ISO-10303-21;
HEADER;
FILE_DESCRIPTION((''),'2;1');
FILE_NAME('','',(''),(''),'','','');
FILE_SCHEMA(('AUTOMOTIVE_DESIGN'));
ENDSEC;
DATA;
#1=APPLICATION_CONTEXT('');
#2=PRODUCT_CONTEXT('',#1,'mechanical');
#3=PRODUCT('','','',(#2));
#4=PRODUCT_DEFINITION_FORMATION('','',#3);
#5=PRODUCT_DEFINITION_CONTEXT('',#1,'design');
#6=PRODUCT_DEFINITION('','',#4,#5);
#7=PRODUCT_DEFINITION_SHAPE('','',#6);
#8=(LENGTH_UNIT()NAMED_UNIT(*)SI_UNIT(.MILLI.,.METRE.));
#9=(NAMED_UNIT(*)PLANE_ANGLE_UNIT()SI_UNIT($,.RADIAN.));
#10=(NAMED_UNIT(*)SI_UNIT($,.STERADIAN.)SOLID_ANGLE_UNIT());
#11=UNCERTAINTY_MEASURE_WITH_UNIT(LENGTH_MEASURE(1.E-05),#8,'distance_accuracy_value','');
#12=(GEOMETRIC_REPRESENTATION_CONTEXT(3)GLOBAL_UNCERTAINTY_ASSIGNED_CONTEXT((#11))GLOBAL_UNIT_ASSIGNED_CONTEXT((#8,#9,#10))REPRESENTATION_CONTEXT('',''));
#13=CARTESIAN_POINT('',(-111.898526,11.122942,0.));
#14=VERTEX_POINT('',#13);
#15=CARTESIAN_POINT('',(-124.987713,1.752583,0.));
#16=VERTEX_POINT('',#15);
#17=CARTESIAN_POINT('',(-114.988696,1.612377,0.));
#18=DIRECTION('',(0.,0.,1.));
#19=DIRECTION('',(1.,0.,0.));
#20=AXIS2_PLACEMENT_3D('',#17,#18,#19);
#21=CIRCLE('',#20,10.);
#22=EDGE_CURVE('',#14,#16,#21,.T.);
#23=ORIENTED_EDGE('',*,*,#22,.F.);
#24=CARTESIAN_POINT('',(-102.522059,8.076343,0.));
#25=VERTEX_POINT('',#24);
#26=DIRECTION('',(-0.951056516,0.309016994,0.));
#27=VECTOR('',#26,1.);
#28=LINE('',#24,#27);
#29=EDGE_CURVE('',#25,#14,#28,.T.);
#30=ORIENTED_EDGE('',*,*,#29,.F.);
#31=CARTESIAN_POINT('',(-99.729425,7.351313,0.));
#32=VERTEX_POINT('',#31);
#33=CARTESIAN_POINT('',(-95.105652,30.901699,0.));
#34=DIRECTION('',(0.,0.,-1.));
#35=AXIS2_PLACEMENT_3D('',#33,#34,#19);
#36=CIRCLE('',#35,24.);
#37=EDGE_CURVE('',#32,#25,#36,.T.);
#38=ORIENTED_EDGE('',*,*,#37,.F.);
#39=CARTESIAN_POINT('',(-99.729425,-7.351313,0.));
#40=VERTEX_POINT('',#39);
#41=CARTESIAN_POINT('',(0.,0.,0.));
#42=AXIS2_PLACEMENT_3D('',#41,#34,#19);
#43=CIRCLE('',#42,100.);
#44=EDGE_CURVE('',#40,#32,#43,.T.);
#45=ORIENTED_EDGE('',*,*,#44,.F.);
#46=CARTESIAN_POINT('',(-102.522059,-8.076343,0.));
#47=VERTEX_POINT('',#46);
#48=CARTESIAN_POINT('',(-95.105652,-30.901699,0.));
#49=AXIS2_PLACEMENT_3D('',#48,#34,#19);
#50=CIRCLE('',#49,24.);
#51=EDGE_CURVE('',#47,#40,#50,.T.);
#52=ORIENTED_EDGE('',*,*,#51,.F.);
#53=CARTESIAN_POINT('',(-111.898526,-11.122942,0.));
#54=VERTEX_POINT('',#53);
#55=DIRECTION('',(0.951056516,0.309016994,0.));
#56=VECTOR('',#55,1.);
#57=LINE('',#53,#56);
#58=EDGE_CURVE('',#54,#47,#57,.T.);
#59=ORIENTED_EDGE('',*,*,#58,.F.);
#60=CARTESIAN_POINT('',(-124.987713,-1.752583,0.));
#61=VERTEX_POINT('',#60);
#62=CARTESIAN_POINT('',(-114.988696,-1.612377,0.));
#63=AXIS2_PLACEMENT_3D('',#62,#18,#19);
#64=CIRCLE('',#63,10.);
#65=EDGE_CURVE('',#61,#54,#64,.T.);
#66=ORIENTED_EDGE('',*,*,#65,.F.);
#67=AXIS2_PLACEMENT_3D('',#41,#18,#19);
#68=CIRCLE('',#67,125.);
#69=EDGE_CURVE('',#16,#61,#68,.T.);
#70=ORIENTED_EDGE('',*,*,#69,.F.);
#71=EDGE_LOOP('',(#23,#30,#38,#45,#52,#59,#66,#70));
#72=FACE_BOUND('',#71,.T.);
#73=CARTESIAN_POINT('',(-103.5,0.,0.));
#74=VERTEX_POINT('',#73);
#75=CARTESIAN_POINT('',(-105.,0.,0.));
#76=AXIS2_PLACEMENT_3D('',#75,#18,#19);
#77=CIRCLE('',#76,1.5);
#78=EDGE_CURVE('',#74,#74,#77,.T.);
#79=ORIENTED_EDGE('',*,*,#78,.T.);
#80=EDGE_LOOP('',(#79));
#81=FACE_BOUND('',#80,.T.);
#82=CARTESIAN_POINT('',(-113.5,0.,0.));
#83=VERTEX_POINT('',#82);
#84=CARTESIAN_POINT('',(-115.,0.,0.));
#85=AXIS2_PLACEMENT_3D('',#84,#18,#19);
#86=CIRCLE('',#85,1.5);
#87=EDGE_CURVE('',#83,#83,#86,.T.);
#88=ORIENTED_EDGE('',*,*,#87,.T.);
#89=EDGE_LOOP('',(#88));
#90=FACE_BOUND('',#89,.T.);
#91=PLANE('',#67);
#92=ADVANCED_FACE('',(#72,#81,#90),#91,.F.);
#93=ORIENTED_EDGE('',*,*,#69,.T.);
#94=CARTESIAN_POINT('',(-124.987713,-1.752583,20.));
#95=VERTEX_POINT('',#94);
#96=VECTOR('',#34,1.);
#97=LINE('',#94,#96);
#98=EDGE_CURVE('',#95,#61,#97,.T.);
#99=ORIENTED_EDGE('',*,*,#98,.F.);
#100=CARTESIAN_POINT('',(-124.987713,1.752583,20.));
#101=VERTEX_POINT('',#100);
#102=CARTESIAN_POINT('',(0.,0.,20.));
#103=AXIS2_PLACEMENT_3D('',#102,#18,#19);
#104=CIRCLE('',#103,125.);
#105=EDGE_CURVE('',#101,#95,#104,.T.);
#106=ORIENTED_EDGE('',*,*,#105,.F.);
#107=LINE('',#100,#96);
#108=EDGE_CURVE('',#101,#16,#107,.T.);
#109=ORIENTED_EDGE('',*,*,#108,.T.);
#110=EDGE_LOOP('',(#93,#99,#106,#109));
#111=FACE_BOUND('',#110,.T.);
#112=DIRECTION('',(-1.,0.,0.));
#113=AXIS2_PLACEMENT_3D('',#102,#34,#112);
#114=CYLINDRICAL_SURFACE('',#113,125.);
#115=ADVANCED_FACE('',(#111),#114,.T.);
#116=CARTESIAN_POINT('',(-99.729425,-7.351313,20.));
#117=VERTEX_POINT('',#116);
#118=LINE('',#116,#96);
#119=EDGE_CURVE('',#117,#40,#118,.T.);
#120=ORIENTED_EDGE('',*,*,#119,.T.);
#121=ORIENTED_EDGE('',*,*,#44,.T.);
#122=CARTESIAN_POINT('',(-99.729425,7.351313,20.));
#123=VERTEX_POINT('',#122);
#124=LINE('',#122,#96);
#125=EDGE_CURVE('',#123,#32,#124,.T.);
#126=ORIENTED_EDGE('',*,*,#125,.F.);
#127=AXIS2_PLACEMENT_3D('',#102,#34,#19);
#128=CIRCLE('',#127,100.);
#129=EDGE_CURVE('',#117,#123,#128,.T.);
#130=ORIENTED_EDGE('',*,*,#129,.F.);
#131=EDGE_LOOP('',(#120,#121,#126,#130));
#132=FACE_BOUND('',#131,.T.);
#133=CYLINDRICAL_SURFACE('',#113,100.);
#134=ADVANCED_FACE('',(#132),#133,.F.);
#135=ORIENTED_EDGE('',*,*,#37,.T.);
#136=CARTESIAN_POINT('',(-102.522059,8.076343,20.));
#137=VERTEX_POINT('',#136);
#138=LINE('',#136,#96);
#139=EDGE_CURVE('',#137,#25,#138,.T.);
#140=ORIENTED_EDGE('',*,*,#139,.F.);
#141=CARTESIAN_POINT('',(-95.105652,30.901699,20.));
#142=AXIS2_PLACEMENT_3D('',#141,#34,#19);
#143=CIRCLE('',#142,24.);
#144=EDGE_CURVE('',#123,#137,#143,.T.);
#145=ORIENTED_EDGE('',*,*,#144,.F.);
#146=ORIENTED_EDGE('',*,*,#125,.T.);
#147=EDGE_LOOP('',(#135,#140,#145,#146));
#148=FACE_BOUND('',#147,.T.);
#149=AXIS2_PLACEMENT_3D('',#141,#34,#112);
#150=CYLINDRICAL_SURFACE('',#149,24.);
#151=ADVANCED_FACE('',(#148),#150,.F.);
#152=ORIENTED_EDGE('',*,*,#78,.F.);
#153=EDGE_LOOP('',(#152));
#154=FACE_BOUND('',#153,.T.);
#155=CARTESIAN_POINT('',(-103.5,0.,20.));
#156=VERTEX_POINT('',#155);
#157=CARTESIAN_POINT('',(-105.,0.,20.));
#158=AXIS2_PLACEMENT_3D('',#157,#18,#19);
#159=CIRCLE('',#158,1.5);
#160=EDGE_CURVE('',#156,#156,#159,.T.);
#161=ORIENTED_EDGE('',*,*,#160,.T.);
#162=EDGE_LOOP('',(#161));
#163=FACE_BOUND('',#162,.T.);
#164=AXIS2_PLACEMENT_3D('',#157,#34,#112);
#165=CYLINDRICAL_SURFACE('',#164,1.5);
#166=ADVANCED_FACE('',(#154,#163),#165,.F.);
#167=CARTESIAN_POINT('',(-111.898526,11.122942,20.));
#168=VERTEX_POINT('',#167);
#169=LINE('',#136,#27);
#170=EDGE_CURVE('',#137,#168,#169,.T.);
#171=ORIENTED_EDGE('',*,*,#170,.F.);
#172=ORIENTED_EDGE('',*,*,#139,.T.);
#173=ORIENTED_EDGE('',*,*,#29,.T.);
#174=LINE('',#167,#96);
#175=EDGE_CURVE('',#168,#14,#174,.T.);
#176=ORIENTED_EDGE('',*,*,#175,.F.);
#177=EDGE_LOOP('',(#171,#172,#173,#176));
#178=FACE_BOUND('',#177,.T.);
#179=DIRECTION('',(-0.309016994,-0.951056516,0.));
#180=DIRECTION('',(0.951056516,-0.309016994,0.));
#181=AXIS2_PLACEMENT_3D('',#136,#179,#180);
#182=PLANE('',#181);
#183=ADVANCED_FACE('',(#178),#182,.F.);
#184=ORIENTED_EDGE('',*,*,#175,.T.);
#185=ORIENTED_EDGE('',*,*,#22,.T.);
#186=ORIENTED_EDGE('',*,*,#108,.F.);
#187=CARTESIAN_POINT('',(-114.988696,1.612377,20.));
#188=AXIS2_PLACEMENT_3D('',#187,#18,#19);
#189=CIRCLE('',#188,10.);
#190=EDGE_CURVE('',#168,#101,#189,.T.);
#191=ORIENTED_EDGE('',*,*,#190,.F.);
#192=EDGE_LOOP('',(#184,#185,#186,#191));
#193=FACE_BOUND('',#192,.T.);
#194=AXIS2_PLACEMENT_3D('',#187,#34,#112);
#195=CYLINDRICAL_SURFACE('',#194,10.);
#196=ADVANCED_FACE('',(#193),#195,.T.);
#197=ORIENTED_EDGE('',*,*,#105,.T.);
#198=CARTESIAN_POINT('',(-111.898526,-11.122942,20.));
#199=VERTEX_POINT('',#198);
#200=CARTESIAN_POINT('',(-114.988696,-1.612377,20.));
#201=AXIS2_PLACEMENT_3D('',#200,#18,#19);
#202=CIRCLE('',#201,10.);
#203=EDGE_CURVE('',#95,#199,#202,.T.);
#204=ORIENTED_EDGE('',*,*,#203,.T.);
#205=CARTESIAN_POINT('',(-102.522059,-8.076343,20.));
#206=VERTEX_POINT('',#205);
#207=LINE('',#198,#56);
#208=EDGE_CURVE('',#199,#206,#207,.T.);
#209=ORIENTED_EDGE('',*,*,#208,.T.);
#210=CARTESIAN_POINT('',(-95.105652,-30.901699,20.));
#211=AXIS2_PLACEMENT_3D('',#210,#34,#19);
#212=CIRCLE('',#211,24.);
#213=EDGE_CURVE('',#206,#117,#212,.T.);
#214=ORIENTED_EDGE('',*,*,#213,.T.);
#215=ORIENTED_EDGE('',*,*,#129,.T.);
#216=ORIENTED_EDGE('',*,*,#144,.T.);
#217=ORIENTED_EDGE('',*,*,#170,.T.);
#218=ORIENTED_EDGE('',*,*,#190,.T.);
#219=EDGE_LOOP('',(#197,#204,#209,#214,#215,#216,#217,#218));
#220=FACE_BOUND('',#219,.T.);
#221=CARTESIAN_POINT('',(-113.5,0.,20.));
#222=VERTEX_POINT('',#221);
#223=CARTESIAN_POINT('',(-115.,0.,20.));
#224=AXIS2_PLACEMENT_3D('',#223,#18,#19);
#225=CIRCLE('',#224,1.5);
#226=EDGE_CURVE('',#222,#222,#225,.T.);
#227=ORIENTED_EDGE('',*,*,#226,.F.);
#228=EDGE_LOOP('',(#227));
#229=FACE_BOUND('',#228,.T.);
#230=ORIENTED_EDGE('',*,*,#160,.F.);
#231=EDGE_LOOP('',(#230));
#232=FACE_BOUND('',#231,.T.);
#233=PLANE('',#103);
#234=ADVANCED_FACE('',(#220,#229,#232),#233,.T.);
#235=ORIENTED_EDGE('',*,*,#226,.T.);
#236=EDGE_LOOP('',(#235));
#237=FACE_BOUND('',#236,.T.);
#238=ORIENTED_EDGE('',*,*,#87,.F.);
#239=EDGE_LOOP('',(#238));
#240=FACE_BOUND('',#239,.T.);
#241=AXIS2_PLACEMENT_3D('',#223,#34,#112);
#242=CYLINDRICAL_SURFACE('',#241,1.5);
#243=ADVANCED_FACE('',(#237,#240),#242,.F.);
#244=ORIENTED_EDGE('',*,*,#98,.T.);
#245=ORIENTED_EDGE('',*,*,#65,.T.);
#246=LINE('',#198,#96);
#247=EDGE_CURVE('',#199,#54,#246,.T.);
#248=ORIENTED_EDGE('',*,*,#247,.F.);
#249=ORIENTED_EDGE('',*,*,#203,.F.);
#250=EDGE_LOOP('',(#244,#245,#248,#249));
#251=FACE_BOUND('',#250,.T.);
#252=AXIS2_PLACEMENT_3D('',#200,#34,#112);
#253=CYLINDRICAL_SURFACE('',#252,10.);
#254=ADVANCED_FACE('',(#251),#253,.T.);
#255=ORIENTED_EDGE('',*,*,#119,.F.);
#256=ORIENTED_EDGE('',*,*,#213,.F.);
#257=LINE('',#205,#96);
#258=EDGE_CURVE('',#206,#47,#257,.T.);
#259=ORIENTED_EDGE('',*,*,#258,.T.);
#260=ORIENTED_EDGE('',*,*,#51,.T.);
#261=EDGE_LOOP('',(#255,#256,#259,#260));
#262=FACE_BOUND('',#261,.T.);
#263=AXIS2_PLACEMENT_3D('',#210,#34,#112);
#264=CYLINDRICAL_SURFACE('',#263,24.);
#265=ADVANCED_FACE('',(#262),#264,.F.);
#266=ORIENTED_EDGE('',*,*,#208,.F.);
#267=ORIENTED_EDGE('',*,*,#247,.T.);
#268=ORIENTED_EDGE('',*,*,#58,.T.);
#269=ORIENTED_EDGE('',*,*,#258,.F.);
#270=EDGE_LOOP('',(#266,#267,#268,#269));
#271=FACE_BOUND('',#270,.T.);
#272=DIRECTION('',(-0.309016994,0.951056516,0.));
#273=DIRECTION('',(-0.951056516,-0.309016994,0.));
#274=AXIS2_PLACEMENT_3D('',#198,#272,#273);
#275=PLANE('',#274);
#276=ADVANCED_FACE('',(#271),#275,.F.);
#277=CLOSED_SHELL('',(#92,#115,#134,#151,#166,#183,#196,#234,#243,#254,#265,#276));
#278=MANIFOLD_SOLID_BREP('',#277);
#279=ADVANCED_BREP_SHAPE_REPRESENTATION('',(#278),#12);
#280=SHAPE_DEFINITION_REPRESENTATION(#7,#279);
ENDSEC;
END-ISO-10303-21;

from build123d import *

# Parameters (mm, degrees)
EXTRUDE_1_DEPTH = 20


with BuildPart() as part:
    # 草图1 → 凸台-拉伸1 (new body)
    with BuildSketch(Plane.XY):
        with BuildLine():
            Line((-102.522059495, 8.076343046), (-111.898526204, 11.122941761))
            ThreePointArc((-111.898526204, 11.122941761), (-120.809688049, 9.743554451), (-124.987713204, 1.752583259))
            ThreePointArc((-124.987713204, 1.752583259), (-125, 0), (-124.987713204, -1.752583259))
            ThreePointArc((-124.987713204, -1.752583259), (-120.809688049, -9.743554451), (-111.898526204, -11.122941761))
            Line((-111.898526204, -11.122941761), (-102.522059495, -8.076343046))
            ThreePointArc((-102.522059495, -8.076343046), (-101.136647244, -7.671824451), (-99.729424961, -7.3513126))
            ThreePointArc((-99.729424961, -7.3513126), (-100, 0), (-99.729424961, 7.3513126))
            ThreePointArc((-99.729424961, 7.3513126), (-101.136647244, 7.671824451), (-102.522059495, 8.076343046))
        make_face()
        with BuildLine():
            ThreePointArc((-106.426584774, -0.463525492), (-104.536474508, -1.426584774), (-103.573415226, 0.463525492))
            ThreePointArc((-103.573415226, 0.463525492), (-105.463525492, 1.426584774), (-106.426584774, -0.463525492))
        make_face(mode=Mode.SUBTRACT)
        with BuildLine():
            ThreePointArc((-116.426584774, -0.463525492), (-114.536474508, -1.426584774), (-113.573415226, 0.463525492))
            ThreePointArc((-113.573415226, 0.463525492), (-115.463525492, 1.426584774), (-116.426584774, -0.463525492))
        make_face(mode=Mode.SUBTRACT)
    extrude(amount=EXTRUDE_1_DEPTH)


solid = part.part
